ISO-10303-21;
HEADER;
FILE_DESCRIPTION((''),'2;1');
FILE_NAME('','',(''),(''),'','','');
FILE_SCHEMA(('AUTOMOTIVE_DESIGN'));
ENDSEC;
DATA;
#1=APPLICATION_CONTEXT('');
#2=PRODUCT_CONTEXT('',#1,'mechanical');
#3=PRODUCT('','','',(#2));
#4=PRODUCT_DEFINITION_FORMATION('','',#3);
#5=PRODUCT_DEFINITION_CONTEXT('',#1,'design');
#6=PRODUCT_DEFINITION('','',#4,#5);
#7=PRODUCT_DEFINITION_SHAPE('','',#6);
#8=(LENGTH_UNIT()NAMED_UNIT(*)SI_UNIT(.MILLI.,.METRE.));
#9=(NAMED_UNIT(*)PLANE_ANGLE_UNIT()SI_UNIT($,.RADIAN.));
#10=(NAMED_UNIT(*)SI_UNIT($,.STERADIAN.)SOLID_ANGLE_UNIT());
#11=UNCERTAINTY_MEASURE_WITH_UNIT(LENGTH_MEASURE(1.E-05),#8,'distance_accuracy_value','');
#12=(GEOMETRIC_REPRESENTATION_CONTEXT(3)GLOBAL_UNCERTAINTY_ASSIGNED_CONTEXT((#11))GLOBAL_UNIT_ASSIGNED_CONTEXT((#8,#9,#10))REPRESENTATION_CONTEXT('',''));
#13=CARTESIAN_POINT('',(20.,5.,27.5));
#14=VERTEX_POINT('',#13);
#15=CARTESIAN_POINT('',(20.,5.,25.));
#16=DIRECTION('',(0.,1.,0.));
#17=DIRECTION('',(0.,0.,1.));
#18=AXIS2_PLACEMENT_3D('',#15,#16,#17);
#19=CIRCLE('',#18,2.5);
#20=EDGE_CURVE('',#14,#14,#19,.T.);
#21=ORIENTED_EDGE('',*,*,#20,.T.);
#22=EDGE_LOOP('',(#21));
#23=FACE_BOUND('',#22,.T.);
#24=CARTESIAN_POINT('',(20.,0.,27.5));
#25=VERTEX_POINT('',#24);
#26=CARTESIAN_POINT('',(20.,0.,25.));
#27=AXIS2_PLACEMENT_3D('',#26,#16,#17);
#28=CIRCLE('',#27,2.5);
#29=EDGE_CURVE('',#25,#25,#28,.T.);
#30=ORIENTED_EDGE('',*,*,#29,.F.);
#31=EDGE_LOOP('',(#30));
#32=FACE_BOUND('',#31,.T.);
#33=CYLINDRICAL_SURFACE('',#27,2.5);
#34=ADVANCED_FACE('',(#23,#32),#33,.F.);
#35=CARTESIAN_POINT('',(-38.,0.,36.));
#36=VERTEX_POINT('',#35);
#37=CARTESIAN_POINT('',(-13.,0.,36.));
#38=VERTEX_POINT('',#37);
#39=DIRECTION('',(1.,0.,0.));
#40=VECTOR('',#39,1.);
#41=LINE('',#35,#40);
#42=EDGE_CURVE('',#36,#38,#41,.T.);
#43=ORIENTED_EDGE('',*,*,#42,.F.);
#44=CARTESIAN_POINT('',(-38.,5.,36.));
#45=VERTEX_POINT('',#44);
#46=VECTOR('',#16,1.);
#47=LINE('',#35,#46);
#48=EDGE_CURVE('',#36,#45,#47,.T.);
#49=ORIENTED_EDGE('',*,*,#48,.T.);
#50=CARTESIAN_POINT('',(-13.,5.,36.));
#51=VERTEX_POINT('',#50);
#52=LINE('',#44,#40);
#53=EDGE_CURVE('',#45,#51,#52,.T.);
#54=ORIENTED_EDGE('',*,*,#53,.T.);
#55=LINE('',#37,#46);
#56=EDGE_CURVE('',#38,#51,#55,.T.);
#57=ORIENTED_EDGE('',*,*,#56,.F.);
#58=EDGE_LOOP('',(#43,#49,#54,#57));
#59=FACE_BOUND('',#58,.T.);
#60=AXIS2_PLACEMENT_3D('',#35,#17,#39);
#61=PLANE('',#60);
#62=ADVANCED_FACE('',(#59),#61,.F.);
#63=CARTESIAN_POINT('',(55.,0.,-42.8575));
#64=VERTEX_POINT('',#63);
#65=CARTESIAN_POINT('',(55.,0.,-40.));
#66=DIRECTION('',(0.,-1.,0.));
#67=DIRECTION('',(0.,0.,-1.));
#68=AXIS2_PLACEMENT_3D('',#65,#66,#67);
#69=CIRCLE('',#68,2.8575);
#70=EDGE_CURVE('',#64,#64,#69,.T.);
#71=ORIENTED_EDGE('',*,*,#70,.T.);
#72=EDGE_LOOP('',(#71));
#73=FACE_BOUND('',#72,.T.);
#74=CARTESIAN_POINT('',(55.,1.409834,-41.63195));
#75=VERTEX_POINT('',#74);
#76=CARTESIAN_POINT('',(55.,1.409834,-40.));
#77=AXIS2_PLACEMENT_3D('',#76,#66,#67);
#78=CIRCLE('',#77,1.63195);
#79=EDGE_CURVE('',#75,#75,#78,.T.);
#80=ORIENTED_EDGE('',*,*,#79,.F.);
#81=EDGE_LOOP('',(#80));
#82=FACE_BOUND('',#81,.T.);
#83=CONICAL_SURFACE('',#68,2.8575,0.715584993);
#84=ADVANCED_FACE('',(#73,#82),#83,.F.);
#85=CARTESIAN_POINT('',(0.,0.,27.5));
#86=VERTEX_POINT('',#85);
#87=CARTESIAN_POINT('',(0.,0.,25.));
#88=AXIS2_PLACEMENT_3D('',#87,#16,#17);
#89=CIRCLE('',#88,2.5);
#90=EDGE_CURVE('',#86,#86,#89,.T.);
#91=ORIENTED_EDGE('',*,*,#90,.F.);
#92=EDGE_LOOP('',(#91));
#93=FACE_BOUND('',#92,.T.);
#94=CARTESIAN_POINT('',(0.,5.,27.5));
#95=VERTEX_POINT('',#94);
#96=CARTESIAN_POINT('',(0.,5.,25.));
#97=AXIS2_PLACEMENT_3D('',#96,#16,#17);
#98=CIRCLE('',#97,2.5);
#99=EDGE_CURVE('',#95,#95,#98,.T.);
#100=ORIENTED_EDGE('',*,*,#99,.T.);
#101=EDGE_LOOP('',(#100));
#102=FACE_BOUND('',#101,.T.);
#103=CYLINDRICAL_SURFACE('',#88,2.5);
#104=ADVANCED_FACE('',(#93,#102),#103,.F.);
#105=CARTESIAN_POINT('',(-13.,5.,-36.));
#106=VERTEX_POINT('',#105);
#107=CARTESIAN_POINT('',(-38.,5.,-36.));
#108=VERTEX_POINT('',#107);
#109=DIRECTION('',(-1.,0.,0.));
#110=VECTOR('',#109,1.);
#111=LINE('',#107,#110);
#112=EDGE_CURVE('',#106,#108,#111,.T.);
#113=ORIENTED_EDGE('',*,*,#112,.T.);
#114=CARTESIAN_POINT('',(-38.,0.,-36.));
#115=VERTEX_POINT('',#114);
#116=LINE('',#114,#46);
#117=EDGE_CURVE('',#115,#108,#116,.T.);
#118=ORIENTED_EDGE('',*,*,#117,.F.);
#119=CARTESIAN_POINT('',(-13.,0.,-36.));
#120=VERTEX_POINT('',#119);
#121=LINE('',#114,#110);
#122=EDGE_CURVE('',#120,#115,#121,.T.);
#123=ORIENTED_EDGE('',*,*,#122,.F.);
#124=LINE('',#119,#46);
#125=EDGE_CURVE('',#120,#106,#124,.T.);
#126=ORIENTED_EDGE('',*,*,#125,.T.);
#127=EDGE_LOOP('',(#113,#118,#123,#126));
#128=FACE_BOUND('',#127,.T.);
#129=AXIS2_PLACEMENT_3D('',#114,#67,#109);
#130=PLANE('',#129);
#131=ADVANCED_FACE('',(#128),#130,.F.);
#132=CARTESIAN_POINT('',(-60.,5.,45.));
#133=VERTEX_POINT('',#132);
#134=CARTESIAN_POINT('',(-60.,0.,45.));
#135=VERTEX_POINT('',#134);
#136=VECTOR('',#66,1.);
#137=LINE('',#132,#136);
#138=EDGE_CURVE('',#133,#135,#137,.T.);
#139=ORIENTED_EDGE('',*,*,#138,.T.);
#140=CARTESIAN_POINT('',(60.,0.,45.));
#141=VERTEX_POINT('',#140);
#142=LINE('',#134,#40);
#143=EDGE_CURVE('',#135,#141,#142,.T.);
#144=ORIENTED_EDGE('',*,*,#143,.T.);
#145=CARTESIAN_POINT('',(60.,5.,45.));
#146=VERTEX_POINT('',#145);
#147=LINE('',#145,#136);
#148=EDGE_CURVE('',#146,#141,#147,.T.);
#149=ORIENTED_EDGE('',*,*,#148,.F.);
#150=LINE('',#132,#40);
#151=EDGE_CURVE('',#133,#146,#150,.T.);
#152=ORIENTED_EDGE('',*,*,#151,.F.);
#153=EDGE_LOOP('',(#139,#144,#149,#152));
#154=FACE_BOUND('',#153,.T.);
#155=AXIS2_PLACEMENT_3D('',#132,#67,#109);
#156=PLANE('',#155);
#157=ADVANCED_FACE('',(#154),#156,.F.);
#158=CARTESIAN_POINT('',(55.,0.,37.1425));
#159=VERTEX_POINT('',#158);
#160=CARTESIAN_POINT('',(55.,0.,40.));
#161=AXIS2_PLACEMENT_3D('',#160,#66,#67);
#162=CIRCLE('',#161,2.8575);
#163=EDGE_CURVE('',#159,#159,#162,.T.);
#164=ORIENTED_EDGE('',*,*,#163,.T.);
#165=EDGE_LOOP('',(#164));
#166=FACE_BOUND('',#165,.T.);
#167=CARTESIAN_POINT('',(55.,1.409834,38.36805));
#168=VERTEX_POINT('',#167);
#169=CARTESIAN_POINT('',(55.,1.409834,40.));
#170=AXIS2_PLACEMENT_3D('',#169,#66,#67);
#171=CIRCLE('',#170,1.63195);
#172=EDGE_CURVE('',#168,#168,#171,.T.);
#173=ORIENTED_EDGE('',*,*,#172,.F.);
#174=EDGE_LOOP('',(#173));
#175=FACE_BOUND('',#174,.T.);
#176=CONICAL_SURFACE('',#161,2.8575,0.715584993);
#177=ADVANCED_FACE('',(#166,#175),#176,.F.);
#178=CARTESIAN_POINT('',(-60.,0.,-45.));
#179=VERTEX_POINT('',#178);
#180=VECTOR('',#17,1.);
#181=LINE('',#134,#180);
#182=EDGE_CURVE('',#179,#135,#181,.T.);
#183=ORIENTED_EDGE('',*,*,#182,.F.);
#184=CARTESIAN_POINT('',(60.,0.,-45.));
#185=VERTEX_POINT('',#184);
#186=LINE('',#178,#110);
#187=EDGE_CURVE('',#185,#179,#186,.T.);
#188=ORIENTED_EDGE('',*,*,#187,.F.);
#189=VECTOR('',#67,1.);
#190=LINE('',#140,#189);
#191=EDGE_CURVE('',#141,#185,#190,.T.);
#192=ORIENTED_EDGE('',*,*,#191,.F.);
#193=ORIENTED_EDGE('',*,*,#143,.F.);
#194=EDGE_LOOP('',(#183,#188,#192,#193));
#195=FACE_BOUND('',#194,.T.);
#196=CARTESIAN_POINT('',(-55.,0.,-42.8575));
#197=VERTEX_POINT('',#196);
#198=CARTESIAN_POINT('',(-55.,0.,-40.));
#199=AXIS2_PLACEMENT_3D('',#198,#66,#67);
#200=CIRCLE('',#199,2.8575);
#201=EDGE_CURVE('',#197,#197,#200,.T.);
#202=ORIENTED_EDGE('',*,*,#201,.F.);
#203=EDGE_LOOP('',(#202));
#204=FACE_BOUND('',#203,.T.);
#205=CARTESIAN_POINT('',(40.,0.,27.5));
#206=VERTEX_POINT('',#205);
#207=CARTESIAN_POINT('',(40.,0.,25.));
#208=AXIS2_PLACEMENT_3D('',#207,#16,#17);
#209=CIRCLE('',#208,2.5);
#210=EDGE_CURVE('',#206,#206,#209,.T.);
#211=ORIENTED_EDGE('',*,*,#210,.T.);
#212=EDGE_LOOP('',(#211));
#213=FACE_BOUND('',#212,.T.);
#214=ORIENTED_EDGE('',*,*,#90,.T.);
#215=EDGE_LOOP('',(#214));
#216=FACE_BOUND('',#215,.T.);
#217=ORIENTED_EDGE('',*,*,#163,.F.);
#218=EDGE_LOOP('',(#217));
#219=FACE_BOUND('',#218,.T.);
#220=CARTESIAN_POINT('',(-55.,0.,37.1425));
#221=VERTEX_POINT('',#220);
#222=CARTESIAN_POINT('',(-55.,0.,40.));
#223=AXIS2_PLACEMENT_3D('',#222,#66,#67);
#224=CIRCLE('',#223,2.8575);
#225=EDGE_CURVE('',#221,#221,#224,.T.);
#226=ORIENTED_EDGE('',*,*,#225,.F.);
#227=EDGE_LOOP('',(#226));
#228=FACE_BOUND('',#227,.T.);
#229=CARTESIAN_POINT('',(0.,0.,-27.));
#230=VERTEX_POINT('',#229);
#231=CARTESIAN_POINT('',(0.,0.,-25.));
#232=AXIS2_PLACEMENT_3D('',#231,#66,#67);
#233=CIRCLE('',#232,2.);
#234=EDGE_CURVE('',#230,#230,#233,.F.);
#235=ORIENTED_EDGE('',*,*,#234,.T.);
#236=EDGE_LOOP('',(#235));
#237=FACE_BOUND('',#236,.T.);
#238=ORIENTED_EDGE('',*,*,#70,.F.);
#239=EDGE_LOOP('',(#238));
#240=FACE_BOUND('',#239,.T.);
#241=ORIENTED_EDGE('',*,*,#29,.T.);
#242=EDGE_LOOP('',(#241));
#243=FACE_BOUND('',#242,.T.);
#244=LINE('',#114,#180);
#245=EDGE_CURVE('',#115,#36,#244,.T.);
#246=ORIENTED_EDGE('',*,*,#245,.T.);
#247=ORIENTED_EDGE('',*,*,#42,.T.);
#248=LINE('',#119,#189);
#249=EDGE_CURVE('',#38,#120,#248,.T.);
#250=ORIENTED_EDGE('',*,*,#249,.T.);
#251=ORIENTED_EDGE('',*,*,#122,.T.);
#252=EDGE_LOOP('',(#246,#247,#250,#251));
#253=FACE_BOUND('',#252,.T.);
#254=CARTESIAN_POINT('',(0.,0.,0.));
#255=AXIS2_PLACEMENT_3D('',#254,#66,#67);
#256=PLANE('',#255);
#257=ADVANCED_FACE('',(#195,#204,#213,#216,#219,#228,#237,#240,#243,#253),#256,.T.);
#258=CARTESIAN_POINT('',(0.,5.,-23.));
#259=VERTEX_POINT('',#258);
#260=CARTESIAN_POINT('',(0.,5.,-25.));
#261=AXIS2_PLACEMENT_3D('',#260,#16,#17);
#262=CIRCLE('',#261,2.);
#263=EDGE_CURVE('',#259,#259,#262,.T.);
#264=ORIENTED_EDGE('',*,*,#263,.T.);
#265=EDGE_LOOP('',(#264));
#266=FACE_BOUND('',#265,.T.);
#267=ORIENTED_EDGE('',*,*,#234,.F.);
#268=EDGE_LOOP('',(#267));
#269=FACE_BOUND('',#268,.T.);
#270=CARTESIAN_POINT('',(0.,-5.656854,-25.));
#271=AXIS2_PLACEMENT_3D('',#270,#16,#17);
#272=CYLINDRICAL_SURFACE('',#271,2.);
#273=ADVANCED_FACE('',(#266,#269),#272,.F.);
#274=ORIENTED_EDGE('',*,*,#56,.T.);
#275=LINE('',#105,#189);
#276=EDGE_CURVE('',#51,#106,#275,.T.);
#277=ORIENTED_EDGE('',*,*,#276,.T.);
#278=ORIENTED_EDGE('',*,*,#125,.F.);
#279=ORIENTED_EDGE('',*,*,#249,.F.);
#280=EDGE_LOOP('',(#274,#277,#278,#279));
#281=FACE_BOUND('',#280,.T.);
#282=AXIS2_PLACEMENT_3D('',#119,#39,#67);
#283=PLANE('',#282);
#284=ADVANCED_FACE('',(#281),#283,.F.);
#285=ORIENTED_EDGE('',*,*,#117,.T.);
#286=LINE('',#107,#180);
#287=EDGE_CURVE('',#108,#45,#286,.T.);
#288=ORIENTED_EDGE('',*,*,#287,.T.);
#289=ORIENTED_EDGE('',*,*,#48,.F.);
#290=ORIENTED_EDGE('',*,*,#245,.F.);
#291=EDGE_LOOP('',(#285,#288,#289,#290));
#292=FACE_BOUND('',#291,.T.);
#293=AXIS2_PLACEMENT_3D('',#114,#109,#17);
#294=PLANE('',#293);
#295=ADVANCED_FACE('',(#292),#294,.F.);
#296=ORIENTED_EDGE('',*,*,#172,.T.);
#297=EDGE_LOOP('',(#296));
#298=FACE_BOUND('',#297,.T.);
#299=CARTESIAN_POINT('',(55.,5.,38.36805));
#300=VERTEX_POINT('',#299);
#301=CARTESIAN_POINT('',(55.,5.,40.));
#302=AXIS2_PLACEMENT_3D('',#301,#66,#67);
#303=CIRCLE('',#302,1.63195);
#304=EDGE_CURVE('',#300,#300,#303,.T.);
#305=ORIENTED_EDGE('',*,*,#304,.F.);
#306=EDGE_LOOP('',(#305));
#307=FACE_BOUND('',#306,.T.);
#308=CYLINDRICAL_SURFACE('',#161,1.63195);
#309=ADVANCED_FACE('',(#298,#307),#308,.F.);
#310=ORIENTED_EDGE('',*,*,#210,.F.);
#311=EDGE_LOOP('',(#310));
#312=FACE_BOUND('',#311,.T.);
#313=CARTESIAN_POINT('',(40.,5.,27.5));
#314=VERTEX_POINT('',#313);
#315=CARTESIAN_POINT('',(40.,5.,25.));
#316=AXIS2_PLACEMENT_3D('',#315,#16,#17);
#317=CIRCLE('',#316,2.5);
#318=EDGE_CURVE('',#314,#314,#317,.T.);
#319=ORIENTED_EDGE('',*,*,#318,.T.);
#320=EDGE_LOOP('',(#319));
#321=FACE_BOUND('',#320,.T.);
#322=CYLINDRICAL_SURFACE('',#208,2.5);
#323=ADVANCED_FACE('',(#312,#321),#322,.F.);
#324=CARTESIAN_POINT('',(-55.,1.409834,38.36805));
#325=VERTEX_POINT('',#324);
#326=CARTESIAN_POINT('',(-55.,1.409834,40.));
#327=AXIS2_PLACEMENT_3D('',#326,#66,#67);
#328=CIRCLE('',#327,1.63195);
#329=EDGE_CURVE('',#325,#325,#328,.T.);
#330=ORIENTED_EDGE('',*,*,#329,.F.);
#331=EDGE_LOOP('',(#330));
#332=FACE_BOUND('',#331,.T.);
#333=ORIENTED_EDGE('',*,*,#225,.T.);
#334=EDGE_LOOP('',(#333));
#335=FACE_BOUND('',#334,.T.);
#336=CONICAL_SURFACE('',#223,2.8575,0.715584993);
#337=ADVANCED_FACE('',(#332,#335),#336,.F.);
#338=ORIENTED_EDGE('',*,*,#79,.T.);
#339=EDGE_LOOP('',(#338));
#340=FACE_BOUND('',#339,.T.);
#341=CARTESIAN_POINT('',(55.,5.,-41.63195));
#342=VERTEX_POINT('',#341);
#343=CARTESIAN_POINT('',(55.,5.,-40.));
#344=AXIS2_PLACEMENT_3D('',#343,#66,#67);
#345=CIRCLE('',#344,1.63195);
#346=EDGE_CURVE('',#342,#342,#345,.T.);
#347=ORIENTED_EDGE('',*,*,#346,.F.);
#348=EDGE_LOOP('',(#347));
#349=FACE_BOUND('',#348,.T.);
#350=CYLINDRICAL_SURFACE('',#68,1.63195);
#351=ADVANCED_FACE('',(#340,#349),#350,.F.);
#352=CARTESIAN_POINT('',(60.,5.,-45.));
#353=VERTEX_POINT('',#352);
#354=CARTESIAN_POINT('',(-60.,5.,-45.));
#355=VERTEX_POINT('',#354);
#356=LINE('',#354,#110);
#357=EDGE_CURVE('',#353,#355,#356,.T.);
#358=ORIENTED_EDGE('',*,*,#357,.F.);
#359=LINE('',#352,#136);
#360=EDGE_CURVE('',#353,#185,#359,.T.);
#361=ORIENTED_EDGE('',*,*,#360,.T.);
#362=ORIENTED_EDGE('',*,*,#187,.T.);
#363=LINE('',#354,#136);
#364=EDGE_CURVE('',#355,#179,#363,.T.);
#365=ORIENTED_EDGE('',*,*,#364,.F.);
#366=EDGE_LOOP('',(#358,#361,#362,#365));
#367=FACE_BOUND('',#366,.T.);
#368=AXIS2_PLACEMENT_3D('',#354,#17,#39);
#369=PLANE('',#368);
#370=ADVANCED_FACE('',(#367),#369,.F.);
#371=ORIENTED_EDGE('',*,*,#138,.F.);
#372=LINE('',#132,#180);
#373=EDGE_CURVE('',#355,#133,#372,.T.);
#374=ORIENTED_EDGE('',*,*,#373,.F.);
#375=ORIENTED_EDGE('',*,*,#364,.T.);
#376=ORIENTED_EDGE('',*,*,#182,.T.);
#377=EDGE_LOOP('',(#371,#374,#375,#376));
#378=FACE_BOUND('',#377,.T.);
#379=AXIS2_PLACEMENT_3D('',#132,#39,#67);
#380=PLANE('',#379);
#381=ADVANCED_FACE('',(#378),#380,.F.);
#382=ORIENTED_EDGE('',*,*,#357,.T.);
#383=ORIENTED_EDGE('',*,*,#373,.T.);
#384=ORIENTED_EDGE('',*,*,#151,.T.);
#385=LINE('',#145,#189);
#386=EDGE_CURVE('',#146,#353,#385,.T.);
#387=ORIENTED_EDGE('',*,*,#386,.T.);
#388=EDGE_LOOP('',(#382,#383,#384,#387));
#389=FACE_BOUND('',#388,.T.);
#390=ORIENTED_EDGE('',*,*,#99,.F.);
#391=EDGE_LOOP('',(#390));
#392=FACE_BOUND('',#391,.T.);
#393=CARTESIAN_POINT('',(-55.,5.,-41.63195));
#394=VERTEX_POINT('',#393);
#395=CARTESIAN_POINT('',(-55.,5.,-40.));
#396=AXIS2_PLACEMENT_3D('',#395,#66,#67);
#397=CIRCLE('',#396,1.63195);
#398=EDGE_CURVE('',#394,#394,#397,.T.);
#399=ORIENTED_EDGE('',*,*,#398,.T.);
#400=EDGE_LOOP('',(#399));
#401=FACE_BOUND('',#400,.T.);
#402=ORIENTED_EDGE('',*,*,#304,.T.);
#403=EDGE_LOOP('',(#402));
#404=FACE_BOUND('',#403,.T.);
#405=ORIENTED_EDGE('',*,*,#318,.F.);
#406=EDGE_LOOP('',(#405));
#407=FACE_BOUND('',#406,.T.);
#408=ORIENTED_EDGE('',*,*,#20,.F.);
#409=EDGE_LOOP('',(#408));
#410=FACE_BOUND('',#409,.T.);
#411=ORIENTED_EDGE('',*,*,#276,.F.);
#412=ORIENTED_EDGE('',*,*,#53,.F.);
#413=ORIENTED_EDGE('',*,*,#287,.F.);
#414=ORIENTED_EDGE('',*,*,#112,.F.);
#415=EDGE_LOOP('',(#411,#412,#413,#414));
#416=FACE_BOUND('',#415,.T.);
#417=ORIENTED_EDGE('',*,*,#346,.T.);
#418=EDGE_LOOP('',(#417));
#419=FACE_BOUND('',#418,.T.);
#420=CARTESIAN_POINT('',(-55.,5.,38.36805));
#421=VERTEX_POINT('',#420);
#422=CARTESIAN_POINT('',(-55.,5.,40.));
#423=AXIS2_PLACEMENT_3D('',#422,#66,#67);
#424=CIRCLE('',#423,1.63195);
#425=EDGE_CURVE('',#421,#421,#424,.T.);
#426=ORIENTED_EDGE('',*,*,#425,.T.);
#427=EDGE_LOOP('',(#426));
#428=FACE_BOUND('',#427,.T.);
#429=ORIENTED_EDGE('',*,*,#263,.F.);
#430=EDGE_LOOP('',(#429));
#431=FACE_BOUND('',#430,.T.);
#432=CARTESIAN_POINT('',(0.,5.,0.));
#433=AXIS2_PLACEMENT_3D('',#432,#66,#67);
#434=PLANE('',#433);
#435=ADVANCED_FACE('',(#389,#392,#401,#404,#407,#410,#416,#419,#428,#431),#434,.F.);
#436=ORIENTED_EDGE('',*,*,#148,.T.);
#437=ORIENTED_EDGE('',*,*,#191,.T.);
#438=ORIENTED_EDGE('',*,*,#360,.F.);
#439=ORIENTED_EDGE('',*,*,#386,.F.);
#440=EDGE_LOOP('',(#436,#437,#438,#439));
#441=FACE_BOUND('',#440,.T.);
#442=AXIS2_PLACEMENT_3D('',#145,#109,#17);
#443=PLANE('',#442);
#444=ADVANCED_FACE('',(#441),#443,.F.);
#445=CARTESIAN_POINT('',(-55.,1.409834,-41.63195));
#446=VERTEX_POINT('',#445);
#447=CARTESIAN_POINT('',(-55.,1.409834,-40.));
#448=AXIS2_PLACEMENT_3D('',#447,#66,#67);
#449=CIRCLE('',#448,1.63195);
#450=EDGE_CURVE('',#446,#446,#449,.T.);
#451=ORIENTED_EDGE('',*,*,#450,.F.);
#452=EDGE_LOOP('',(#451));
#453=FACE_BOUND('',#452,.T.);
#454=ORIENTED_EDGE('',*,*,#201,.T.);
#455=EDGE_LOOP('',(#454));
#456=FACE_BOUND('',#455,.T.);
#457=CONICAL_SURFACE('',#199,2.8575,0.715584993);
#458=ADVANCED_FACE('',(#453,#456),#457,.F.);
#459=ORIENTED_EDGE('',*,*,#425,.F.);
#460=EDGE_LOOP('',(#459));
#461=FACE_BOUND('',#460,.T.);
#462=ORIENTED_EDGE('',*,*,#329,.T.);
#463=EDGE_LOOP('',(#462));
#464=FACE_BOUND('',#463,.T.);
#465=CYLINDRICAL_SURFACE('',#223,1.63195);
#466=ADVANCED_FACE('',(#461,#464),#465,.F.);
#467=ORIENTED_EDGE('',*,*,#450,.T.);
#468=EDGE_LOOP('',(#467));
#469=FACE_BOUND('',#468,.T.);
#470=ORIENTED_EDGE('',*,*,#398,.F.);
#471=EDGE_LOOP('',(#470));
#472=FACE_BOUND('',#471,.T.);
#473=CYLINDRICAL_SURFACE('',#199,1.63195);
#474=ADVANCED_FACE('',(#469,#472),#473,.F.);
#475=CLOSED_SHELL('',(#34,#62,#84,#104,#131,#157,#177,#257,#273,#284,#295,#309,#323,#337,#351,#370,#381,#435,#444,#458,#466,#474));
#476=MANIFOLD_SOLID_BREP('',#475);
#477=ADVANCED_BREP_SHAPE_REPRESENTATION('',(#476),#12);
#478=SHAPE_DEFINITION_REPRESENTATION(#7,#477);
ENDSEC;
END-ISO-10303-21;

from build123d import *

# Parameters (mm, degrees)
SKETCH1_W                                      = 120
SKETCH1_H                                      = 90
BOSS_EXTRUDE1_DEPTH                            = 5
CSK_FOR_4_FLAT_HEAD_MACHINE_SCREW1_D           = 3.2639
CSK_FOR_4_FLAT_HEAD_MACHINE_SCREW1_CSINK_D     = 5.715
CSK_FOR_4_FLAT_HEAD_MACHINE_SCREW1_CSINK_ANGLE = 82
SKETCH5_R                                      = 2.5
SKETCH5_W                                      = 25
SKETCH5_H                                      = 72
CUT_EXTRUDE3_DEPTH                             = 76.166481892
SKETCH6_R                                      = 2
CUT_EXTRUDE4_DEPTH                             = 5


with BuildPart() as part:
    # Sketch1 → Boss-Extrude1 (new body)
    with BuildSketch(Plane(origin=(0, 0, 0), x_dir=(1, 0, 0), z_dir=(0, 1, 0))):
        Rectangle(SKETCH1_W, SKETCH1_H)
    extrude(amount=BOSS_EXTRUDE1_DEPTH)

    # CSK for #4 Flat Head Machine Screw1 (through all)
    with Locations(Plane(origin=(0, 0, 0), x_dir=(-1, 0, 0), z_dir=(0, -1, 0))):
        with Locations((-55, 40), (-55, -40), (55, -40), (55, 40)):
            CounterSinkHole(CSK_FOR_4_FLAT_HEAD_MACHINE_SCREW1_D / 2, CSK_FOR_4_FLAT_HEAD_MACHINE_SCREW1_CSINK_D / 2, counter_sink_angle=CSK_FOR_4_FLAT_HEAD_MACHINE_SCREW1_CSINK_ANGLE)

    # Sketch5 → Cut-Extrude3 (cut, through all)
    with BuildSketch(Plane(origin=(0, 5, 0), x_dir=(1, 0, 0), z_dir=(0, 1, 0))):
        with Locations(Location((0, -25, 0), (0, 0, 270))):
            Circle(SKETCH5_R)
        with Locations(Location((20, -25, 0), (0, 0, 270))):
            Circle(SKETCH5_R)
        with Locations(Location((40, -25, 0), (0, 0, 270))):
            Circle(SKETCH5_R)
        with Locations((-25.5, 0)):
            Rectangle(SKETCH5_W, SKETCH5_H)
    extrude(amount=-CUT_EXTRUDE3_DEPTH, mode=Mode.SUBTRACT)

    # Sketch6 → Cut-Extrude4 (cut)
    with BuildSketch(Plane(origin=(0, 5, 0), x_dir=(1, 0, 0), z_dir=(0, 1, 0))):
        with Locations(Location((0, 25, 0), (0, 0, 270))):
            Circle(SKETCH6_R)
    extrude(amount=-CUT_EXTRUDE4_DEPTH, mode=Mode.SUBTRACT)


solid = part.part
